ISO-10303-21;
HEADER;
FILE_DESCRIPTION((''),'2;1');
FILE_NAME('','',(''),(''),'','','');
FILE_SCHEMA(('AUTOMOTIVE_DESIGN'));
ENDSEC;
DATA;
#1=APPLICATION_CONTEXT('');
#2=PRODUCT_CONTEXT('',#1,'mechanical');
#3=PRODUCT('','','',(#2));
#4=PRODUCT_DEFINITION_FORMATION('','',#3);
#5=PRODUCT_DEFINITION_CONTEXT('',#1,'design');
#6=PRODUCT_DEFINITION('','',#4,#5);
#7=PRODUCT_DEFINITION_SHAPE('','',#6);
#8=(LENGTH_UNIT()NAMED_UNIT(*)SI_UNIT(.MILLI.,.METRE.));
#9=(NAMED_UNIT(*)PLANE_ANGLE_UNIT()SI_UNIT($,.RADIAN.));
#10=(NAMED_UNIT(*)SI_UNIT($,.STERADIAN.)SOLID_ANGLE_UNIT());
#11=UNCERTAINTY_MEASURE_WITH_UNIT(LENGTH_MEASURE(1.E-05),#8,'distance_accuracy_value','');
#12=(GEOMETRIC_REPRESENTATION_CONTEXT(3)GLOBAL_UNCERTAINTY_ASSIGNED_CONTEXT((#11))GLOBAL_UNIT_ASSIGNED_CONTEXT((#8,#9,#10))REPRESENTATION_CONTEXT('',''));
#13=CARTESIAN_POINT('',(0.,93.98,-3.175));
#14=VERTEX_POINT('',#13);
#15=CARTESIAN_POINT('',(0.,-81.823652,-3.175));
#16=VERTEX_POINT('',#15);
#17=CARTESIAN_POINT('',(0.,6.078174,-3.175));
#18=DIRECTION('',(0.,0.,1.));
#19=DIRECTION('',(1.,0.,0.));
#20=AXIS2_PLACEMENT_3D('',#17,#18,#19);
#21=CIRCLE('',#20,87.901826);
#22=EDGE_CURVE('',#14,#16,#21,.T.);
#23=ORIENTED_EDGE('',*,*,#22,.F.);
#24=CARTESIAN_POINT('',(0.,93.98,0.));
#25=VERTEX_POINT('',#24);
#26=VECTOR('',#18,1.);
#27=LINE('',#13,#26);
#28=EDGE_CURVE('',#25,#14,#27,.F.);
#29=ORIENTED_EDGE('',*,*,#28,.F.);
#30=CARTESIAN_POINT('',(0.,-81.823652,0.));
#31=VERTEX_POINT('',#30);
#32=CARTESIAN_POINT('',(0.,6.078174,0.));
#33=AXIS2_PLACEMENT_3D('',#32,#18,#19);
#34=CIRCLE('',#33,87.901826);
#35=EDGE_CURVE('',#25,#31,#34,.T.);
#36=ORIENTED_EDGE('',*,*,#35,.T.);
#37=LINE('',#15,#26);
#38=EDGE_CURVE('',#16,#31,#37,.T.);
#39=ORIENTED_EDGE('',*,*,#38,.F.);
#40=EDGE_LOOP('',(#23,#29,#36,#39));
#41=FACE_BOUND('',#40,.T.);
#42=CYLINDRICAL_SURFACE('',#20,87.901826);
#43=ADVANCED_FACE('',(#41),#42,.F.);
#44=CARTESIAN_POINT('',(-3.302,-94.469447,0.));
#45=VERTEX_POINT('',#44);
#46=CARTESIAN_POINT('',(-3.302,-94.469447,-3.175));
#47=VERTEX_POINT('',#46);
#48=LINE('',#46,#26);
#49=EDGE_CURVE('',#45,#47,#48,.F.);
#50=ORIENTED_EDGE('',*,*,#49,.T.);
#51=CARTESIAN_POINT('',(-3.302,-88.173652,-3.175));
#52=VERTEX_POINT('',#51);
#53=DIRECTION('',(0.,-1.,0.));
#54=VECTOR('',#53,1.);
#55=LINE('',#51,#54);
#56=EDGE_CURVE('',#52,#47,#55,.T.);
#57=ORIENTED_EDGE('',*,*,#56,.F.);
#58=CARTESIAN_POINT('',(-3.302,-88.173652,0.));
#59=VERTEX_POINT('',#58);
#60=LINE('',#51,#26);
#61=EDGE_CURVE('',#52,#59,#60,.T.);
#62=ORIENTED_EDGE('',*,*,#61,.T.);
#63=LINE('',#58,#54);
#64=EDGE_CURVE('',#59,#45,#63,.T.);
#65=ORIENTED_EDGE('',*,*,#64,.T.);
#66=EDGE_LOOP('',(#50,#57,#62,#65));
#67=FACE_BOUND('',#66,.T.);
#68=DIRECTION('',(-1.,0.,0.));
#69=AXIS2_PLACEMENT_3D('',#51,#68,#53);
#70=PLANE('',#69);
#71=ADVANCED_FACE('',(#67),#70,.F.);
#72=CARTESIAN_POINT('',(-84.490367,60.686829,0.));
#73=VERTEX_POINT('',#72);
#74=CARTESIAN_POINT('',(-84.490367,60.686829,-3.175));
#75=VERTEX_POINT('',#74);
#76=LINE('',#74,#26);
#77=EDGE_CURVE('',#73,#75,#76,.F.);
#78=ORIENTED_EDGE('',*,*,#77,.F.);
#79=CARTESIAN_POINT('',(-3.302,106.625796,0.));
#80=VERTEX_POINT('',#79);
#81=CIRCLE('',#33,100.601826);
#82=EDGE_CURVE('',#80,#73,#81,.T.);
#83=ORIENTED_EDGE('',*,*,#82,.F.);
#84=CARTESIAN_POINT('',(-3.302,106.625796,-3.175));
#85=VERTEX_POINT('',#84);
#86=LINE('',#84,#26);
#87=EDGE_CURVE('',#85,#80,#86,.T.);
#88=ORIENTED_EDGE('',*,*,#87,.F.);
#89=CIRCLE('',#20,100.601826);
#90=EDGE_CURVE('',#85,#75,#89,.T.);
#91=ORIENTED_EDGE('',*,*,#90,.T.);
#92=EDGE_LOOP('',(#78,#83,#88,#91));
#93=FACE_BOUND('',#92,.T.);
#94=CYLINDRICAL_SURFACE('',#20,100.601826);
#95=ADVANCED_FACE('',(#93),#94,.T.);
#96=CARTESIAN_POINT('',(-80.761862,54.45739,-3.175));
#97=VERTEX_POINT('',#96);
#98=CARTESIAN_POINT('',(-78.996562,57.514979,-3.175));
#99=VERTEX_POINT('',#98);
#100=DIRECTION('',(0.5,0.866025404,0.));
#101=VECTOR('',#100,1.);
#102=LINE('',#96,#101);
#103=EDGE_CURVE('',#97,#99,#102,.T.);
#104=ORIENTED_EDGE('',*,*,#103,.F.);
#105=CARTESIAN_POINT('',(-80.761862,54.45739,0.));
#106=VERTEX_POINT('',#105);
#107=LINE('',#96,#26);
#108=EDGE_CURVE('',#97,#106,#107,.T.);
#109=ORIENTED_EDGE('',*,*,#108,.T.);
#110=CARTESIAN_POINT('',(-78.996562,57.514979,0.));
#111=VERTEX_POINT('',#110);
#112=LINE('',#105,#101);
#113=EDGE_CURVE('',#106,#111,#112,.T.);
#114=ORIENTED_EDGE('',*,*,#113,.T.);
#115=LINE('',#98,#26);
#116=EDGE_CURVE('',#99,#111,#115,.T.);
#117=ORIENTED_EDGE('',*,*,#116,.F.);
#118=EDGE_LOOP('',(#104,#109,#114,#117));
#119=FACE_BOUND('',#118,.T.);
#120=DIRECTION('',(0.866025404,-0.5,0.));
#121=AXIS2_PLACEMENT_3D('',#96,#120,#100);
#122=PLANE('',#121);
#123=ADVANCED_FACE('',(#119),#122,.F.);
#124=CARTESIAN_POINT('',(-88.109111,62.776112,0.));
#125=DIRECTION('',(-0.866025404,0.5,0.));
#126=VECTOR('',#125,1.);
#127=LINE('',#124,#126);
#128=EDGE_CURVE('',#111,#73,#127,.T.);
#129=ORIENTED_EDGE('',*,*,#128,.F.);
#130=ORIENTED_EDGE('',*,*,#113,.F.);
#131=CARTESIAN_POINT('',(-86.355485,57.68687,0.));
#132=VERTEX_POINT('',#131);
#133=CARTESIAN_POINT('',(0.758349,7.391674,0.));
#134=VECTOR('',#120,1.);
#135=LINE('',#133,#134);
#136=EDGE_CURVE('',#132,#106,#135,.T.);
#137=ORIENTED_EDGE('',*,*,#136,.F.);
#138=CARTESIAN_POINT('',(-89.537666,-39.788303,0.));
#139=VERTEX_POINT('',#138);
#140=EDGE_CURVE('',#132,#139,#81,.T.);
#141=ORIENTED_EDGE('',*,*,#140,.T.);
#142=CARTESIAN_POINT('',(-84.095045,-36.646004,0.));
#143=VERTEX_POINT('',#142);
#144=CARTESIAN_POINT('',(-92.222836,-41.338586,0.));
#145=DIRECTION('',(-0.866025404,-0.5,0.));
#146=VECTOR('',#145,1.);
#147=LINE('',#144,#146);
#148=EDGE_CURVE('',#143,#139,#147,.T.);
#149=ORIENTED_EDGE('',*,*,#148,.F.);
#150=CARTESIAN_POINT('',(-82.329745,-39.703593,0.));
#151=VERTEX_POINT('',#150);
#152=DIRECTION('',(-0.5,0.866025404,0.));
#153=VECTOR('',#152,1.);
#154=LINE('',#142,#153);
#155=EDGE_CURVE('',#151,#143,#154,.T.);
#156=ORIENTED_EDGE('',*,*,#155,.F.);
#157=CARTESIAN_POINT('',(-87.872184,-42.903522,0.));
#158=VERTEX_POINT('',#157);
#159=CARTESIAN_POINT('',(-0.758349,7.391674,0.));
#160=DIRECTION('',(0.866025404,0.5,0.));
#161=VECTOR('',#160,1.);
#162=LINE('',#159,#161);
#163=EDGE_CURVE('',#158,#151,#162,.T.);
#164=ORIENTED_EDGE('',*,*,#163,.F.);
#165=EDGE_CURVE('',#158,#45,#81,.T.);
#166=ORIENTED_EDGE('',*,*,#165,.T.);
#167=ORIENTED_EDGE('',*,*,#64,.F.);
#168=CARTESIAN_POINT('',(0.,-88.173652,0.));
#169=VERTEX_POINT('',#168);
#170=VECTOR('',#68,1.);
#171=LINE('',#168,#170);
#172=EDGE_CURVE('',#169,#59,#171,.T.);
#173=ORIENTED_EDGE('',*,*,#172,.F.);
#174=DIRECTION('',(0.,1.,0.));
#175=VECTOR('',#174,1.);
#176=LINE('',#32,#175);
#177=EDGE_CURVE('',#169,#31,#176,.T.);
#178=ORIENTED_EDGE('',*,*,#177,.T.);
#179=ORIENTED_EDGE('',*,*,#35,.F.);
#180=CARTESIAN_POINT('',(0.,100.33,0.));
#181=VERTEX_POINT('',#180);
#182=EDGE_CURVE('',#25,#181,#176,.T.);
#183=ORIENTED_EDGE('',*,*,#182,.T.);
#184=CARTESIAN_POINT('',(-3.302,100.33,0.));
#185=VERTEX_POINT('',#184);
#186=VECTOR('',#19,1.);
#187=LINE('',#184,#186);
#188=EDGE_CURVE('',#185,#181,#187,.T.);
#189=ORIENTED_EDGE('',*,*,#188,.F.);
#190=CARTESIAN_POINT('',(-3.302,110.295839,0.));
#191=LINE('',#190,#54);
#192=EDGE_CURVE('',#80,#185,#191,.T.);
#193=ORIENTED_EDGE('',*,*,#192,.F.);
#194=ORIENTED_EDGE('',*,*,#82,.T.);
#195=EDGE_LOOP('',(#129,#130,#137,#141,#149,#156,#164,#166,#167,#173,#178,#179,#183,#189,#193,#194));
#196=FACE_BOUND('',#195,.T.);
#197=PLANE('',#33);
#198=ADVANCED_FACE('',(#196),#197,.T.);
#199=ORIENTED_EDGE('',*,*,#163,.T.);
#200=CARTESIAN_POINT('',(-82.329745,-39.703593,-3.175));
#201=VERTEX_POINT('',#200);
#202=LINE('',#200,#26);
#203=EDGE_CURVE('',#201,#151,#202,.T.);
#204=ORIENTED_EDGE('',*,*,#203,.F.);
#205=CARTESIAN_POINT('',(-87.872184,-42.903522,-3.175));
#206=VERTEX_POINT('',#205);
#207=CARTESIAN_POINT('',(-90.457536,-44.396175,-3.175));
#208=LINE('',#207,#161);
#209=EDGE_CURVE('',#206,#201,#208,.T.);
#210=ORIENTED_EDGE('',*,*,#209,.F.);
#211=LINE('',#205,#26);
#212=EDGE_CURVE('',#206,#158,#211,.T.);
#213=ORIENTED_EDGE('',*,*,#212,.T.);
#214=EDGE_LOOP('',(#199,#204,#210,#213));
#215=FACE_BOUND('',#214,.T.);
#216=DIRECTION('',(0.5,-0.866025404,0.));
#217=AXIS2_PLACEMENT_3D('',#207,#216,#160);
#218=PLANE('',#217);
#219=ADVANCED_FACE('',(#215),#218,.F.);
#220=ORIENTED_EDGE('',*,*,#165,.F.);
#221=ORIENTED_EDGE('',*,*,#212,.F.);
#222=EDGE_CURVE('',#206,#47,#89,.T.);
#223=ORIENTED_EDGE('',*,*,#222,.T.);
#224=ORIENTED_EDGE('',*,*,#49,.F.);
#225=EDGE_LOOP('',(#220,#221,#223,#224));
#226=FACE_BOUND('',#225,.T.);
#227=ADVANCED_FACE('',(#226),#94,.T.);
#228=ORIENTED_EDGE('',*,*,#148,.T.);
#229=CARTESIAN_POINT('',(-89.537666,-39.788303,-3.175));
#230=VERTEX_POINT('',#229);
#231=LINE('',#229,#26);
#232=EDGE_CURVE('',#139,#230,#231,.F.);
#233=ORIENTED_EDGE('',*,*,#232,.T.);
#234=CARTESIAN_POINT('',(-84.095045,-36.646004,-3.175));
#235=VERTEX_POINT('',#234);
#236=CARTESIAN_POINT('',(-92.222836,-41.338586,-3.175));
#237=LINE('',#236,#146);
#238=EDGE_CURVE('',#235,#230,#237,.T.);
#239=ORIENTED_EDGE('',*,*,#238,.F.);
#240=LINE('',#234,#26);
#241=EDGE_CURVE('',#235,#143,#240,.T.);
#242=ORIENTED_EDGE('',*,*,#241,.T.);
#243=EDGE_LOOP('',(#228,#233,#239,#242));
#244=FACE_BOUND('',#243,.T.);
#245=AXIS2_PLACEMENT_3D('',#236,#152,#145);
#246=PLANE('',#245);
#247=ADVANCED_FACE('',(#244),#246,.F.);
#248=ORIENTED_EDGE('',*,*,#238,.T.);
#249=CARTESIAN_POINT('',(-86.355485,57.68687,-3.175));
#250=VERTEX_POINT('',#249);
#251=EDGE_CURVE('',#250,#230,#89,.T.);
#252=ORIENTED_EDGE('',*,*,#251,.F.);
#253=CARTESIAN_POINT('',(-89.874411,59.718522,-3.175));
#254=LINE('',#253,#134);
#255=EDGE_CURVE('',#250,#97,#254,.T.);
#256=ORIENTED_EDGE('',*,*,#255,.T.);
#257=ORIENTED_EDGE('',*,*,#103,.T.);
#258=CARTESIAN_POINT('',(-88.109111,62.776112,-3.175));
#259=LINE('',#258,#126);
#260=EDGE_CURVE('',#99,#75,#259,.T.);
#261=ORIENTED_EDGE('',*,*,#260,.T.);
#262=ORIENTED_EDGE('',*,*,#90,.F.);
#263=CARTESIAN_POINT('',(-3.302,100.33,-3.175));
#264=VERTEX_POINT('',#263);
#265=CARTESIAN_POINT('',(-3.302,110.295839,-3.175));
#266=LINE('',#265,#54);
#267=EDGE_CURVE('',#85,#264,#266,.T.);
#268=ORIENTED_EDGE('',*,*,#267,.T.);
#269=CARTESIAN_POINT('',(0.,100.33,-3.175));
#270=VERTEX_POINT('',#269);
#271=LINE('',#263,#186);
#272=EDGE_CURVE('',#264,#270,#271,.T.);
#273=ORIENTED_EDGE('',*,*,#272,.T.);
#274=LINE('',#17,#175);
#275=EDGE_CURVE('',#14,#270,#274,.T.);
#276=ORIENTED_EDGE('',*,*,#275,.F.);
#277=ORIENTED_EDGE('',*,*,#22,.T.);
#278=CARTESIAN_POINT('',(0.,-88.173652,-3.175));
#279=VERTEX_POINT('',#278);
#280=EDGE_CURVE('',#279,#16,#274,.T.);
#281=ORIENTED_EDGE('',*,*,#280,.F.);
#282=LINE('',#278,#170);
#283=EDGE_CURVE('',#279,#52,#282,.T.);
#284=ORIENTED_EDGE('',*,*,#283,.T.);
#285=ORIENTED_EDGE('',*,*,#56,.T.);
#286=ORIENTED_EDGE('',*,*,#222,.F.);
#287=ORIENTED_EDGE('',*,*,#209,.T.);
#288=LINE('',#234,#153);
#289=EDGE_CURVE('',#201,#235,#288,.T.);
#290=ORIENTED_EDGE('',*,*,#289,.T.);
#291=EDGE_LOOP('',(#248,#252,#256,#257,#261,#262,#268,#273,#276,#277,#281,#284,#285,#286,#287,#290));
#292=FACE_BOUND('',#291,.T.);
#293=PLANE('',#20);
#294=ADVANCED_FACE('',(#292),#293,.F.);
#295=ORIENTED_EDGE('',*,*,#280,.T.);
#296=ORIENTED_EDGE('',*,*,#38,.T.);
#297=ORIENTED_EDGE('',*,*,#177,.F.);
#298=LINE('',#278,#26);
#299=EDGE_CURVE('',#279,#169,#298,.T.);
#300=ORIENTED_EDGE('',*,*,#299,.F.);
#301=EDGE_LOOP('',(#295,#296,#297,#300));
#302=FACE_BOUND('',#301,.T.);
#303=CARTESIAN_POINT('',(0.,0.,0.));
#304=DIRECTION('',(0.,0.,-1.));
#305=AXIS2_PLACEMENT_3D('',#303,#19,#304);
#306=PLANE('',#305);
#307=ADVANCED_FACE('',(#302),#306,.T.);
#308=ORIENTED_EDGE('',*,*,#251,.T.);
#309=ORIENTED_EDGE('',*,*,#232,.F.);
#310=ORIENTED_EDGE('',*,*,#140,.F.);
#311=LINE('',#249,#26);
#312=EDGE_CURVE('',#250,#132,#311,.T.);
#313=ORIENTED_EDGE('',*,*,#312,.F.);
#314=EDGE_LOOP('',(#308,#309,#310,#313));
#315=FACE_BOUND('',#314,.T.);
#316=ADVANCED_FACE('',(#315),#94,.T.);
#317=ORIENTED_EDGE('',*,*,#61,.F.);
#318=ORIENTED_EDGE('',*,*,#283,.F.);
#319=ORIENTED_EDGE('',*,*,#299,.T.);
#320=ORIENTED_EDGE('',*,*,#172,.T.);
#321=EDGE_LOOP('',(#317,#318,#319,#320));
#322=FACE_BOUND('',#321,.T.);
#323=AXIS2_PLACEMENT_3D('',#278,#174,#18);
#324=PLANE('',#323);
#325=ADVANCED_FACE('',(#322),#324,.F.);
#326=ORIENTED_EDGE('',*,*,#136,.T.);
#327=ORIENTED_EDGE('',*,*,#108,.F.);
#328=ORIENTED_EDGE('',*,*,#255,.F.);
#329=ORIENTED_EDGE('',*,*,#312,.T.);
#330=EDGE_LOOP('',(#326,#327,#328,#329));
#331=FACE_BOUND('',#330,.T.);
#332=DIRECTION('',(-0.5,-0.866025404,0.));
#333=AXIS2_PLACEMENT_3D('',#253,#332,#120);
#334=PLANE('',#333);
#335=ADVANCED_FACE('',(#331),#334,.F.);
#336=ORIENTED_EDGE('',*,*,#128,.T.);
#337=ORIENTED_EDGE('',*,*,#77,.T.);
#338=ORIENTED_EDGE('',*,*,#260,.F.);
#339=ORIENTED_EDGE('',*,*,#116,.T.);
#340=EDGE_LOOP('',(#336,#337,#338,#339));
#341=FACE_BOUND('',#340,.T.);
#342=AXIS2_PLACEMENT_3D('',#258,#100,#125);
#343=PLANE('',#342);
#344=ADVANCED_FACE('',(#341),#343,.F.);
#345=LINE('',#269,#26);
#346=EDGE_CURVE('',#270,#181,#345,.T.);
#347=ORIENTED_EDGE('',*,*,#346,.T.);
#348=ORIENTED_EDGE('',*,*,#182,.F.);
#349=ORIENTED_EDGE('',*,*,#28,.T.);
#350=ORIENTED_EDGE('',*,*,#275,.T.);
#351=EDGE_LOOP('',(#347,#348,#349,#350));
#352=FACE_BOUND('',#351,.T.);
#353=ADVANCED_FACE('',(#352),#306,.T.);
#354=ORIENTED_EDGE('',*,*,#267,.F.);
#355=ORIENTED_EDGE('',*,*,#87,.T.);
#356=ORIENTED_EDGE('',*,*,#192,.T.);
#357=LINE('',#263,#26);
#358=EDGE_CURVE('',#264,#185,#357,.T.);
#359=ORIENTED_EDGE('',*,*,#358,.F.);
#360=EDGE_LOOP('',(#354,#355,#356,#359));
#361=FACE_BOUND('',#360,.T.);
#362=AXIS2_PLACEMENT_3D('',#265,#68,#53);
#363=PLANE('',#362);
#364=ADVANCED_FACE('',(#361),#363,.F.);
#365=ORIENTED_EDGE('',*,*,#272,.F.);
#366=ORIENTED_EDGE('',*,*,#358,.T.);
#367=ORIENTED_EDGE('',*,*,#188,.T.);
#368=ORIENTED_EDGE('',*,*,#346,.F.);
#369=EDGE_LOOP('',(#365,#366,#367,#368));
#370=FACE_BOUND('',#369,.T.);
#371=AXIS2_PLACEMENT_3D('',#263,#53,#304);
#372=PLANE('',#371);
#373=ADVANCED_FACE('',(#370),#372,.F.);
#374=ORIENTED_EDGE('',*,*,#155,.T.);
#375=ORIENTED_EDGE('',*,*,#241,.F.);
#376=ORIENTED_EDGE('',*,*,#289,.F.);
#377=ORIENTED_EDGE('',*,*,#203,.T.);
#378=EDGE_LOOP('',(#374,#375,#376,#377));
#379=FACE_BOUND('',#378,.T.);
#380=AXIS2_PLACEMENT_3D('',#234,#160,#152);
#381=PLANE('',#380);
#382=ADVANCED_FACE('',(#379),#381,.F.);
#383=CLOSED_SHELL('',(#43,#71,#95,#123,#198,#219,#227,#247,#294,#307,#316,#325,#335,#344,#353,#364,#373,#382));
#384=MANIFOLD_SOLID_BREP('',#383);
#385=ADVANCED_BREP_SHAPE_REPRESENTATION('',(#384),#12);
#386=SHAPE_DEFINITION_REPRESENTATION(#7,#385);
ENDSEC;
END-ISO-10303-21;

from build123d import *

# Parameters (mm, degrees)
BOSS_EXTRUDE1_DEPTH = 3.175
SKETCH3_W           = 149.303507008
SKETCH3_H           = 288.678903575
CUT_EXTRUDE1_DEPTH  = 101.601825752
SKETCH4_W           = 3.302
SKETCH4_H           = 7.449124121
SKETCH4_H_2         = 9.965839279
CUT_EXTRUDE2_DEPTH  = 4.175


with BuildPart() as part:
    # Sketch2 → Boss-Extrude1 (new body)
    with BuildSketch(Plane.XY):
        with BuildLine():
            ThreePointArc((-1.783927604, 106.664181958), (-86.289926541, 57.796410124), (-89.548347912, -39.767444199))
            ThreePointArc((-89.548347912, -39.767444199), (-89.139366423, -40.557656379), (-88.723411943, -41.344220438))
            ThreePointArc((-88.723411943, -41.344220438), (-88.300763494, -42.126623343), (-87.87121564, -42.905259753))
            ThreePointArc((-87.87121564, -42.905259753), (0, -94.523651503), (87.87121564, -42.905259753))
            ThreePointArc((87.87121564, -42.905259753), (88.300763494, -42.126623343), (88.723411943, -41.344220438))
            ThreePointArc((88.723411943, -41.344220438), (89.139366423, -40.557656379), (89.548347912, -39.767444199))
            ThreePointArc((89.548347912, -39.767444199), (86.289926541, 57.796410124), (1.783927604, 106.664181958))
            ThreePointArc((1.783927604, 106.664181958), (0.891998866, 106.676045412), (0, 106.68))
            ThreePointArc((0, 106.68), (-0.891998866, 106.676045412), (-1.783927604, 106.664181958))
        make_face()
        with BuildLine():
            ThreePointArc((-7.652045127, 93.646303016), (0, -81.823651503), (7.652045127, 93.646303016))
            ThreePointArc((7.652045127, 93.646303016), (4.717664566, 93.853310885), (1.778000524, 93.962016248))
            ThreePointArc((1.778000524, 93.962016248), (0.889045735, 93.975503947), (0, 93.98))
            ThreePointArc((0, 93.98), (-0.889045735, 93.975503947), (-1.778000524, 93.962016248))
            ThreePointArc((-1.778000524, 93.962016248), (-4.717664566, 93.853310885), (-7.652045127, 93.646303016))
        make_face(mode=Mode.SUBTRACT)
    extrude(amount=-BOSS_EXTRUDE1_DEPTH)

    # Sketch3 → Cut-Extrude1 (cut, through all)
    with BuildSketch(Plane(origin=(0, 0, 0), x_dir=(0, 0, -1), z_dir=(1, 0, 0))):
        with Locations((2.160275602, 8.369276658)):
            Rectangle(SKETCH3_W, SKETCH3_H)
    extrude(amount=CUT_EXTRUDE1_DEPTH, mode=Mode.SUBTRACT)

    # Sketch4 → Cut-Extrude2 (cut, through all)
    with BuildSketch(Plane.XY):
        Polygon((-88.109110822, 62.776111712), (-78.996562371, 57.51497941), (-80.761862371, 54.45739012), (-89.874410822, 59.718522421), align=None)
        Polygon((-84.09504483, -36.64600391), (-82.32974483, -39.7035932), (-90.457535691, -44.396175442), (-92.222835691, -41.338586151), align=None)
        with Locations((-1.651, -91.898213564)):
            Rectangle(SKETCH4_W, SKETCH4_H)
        with Locations((-1.651, 105.31291964)):
            Rectangle(SKETCH4_W, SKETCH4_H_2)
    extrude(amount=-CUT_EXTRUDE2_DEPTH, mode=Mode.SUBTRACT)


solid = part.part
